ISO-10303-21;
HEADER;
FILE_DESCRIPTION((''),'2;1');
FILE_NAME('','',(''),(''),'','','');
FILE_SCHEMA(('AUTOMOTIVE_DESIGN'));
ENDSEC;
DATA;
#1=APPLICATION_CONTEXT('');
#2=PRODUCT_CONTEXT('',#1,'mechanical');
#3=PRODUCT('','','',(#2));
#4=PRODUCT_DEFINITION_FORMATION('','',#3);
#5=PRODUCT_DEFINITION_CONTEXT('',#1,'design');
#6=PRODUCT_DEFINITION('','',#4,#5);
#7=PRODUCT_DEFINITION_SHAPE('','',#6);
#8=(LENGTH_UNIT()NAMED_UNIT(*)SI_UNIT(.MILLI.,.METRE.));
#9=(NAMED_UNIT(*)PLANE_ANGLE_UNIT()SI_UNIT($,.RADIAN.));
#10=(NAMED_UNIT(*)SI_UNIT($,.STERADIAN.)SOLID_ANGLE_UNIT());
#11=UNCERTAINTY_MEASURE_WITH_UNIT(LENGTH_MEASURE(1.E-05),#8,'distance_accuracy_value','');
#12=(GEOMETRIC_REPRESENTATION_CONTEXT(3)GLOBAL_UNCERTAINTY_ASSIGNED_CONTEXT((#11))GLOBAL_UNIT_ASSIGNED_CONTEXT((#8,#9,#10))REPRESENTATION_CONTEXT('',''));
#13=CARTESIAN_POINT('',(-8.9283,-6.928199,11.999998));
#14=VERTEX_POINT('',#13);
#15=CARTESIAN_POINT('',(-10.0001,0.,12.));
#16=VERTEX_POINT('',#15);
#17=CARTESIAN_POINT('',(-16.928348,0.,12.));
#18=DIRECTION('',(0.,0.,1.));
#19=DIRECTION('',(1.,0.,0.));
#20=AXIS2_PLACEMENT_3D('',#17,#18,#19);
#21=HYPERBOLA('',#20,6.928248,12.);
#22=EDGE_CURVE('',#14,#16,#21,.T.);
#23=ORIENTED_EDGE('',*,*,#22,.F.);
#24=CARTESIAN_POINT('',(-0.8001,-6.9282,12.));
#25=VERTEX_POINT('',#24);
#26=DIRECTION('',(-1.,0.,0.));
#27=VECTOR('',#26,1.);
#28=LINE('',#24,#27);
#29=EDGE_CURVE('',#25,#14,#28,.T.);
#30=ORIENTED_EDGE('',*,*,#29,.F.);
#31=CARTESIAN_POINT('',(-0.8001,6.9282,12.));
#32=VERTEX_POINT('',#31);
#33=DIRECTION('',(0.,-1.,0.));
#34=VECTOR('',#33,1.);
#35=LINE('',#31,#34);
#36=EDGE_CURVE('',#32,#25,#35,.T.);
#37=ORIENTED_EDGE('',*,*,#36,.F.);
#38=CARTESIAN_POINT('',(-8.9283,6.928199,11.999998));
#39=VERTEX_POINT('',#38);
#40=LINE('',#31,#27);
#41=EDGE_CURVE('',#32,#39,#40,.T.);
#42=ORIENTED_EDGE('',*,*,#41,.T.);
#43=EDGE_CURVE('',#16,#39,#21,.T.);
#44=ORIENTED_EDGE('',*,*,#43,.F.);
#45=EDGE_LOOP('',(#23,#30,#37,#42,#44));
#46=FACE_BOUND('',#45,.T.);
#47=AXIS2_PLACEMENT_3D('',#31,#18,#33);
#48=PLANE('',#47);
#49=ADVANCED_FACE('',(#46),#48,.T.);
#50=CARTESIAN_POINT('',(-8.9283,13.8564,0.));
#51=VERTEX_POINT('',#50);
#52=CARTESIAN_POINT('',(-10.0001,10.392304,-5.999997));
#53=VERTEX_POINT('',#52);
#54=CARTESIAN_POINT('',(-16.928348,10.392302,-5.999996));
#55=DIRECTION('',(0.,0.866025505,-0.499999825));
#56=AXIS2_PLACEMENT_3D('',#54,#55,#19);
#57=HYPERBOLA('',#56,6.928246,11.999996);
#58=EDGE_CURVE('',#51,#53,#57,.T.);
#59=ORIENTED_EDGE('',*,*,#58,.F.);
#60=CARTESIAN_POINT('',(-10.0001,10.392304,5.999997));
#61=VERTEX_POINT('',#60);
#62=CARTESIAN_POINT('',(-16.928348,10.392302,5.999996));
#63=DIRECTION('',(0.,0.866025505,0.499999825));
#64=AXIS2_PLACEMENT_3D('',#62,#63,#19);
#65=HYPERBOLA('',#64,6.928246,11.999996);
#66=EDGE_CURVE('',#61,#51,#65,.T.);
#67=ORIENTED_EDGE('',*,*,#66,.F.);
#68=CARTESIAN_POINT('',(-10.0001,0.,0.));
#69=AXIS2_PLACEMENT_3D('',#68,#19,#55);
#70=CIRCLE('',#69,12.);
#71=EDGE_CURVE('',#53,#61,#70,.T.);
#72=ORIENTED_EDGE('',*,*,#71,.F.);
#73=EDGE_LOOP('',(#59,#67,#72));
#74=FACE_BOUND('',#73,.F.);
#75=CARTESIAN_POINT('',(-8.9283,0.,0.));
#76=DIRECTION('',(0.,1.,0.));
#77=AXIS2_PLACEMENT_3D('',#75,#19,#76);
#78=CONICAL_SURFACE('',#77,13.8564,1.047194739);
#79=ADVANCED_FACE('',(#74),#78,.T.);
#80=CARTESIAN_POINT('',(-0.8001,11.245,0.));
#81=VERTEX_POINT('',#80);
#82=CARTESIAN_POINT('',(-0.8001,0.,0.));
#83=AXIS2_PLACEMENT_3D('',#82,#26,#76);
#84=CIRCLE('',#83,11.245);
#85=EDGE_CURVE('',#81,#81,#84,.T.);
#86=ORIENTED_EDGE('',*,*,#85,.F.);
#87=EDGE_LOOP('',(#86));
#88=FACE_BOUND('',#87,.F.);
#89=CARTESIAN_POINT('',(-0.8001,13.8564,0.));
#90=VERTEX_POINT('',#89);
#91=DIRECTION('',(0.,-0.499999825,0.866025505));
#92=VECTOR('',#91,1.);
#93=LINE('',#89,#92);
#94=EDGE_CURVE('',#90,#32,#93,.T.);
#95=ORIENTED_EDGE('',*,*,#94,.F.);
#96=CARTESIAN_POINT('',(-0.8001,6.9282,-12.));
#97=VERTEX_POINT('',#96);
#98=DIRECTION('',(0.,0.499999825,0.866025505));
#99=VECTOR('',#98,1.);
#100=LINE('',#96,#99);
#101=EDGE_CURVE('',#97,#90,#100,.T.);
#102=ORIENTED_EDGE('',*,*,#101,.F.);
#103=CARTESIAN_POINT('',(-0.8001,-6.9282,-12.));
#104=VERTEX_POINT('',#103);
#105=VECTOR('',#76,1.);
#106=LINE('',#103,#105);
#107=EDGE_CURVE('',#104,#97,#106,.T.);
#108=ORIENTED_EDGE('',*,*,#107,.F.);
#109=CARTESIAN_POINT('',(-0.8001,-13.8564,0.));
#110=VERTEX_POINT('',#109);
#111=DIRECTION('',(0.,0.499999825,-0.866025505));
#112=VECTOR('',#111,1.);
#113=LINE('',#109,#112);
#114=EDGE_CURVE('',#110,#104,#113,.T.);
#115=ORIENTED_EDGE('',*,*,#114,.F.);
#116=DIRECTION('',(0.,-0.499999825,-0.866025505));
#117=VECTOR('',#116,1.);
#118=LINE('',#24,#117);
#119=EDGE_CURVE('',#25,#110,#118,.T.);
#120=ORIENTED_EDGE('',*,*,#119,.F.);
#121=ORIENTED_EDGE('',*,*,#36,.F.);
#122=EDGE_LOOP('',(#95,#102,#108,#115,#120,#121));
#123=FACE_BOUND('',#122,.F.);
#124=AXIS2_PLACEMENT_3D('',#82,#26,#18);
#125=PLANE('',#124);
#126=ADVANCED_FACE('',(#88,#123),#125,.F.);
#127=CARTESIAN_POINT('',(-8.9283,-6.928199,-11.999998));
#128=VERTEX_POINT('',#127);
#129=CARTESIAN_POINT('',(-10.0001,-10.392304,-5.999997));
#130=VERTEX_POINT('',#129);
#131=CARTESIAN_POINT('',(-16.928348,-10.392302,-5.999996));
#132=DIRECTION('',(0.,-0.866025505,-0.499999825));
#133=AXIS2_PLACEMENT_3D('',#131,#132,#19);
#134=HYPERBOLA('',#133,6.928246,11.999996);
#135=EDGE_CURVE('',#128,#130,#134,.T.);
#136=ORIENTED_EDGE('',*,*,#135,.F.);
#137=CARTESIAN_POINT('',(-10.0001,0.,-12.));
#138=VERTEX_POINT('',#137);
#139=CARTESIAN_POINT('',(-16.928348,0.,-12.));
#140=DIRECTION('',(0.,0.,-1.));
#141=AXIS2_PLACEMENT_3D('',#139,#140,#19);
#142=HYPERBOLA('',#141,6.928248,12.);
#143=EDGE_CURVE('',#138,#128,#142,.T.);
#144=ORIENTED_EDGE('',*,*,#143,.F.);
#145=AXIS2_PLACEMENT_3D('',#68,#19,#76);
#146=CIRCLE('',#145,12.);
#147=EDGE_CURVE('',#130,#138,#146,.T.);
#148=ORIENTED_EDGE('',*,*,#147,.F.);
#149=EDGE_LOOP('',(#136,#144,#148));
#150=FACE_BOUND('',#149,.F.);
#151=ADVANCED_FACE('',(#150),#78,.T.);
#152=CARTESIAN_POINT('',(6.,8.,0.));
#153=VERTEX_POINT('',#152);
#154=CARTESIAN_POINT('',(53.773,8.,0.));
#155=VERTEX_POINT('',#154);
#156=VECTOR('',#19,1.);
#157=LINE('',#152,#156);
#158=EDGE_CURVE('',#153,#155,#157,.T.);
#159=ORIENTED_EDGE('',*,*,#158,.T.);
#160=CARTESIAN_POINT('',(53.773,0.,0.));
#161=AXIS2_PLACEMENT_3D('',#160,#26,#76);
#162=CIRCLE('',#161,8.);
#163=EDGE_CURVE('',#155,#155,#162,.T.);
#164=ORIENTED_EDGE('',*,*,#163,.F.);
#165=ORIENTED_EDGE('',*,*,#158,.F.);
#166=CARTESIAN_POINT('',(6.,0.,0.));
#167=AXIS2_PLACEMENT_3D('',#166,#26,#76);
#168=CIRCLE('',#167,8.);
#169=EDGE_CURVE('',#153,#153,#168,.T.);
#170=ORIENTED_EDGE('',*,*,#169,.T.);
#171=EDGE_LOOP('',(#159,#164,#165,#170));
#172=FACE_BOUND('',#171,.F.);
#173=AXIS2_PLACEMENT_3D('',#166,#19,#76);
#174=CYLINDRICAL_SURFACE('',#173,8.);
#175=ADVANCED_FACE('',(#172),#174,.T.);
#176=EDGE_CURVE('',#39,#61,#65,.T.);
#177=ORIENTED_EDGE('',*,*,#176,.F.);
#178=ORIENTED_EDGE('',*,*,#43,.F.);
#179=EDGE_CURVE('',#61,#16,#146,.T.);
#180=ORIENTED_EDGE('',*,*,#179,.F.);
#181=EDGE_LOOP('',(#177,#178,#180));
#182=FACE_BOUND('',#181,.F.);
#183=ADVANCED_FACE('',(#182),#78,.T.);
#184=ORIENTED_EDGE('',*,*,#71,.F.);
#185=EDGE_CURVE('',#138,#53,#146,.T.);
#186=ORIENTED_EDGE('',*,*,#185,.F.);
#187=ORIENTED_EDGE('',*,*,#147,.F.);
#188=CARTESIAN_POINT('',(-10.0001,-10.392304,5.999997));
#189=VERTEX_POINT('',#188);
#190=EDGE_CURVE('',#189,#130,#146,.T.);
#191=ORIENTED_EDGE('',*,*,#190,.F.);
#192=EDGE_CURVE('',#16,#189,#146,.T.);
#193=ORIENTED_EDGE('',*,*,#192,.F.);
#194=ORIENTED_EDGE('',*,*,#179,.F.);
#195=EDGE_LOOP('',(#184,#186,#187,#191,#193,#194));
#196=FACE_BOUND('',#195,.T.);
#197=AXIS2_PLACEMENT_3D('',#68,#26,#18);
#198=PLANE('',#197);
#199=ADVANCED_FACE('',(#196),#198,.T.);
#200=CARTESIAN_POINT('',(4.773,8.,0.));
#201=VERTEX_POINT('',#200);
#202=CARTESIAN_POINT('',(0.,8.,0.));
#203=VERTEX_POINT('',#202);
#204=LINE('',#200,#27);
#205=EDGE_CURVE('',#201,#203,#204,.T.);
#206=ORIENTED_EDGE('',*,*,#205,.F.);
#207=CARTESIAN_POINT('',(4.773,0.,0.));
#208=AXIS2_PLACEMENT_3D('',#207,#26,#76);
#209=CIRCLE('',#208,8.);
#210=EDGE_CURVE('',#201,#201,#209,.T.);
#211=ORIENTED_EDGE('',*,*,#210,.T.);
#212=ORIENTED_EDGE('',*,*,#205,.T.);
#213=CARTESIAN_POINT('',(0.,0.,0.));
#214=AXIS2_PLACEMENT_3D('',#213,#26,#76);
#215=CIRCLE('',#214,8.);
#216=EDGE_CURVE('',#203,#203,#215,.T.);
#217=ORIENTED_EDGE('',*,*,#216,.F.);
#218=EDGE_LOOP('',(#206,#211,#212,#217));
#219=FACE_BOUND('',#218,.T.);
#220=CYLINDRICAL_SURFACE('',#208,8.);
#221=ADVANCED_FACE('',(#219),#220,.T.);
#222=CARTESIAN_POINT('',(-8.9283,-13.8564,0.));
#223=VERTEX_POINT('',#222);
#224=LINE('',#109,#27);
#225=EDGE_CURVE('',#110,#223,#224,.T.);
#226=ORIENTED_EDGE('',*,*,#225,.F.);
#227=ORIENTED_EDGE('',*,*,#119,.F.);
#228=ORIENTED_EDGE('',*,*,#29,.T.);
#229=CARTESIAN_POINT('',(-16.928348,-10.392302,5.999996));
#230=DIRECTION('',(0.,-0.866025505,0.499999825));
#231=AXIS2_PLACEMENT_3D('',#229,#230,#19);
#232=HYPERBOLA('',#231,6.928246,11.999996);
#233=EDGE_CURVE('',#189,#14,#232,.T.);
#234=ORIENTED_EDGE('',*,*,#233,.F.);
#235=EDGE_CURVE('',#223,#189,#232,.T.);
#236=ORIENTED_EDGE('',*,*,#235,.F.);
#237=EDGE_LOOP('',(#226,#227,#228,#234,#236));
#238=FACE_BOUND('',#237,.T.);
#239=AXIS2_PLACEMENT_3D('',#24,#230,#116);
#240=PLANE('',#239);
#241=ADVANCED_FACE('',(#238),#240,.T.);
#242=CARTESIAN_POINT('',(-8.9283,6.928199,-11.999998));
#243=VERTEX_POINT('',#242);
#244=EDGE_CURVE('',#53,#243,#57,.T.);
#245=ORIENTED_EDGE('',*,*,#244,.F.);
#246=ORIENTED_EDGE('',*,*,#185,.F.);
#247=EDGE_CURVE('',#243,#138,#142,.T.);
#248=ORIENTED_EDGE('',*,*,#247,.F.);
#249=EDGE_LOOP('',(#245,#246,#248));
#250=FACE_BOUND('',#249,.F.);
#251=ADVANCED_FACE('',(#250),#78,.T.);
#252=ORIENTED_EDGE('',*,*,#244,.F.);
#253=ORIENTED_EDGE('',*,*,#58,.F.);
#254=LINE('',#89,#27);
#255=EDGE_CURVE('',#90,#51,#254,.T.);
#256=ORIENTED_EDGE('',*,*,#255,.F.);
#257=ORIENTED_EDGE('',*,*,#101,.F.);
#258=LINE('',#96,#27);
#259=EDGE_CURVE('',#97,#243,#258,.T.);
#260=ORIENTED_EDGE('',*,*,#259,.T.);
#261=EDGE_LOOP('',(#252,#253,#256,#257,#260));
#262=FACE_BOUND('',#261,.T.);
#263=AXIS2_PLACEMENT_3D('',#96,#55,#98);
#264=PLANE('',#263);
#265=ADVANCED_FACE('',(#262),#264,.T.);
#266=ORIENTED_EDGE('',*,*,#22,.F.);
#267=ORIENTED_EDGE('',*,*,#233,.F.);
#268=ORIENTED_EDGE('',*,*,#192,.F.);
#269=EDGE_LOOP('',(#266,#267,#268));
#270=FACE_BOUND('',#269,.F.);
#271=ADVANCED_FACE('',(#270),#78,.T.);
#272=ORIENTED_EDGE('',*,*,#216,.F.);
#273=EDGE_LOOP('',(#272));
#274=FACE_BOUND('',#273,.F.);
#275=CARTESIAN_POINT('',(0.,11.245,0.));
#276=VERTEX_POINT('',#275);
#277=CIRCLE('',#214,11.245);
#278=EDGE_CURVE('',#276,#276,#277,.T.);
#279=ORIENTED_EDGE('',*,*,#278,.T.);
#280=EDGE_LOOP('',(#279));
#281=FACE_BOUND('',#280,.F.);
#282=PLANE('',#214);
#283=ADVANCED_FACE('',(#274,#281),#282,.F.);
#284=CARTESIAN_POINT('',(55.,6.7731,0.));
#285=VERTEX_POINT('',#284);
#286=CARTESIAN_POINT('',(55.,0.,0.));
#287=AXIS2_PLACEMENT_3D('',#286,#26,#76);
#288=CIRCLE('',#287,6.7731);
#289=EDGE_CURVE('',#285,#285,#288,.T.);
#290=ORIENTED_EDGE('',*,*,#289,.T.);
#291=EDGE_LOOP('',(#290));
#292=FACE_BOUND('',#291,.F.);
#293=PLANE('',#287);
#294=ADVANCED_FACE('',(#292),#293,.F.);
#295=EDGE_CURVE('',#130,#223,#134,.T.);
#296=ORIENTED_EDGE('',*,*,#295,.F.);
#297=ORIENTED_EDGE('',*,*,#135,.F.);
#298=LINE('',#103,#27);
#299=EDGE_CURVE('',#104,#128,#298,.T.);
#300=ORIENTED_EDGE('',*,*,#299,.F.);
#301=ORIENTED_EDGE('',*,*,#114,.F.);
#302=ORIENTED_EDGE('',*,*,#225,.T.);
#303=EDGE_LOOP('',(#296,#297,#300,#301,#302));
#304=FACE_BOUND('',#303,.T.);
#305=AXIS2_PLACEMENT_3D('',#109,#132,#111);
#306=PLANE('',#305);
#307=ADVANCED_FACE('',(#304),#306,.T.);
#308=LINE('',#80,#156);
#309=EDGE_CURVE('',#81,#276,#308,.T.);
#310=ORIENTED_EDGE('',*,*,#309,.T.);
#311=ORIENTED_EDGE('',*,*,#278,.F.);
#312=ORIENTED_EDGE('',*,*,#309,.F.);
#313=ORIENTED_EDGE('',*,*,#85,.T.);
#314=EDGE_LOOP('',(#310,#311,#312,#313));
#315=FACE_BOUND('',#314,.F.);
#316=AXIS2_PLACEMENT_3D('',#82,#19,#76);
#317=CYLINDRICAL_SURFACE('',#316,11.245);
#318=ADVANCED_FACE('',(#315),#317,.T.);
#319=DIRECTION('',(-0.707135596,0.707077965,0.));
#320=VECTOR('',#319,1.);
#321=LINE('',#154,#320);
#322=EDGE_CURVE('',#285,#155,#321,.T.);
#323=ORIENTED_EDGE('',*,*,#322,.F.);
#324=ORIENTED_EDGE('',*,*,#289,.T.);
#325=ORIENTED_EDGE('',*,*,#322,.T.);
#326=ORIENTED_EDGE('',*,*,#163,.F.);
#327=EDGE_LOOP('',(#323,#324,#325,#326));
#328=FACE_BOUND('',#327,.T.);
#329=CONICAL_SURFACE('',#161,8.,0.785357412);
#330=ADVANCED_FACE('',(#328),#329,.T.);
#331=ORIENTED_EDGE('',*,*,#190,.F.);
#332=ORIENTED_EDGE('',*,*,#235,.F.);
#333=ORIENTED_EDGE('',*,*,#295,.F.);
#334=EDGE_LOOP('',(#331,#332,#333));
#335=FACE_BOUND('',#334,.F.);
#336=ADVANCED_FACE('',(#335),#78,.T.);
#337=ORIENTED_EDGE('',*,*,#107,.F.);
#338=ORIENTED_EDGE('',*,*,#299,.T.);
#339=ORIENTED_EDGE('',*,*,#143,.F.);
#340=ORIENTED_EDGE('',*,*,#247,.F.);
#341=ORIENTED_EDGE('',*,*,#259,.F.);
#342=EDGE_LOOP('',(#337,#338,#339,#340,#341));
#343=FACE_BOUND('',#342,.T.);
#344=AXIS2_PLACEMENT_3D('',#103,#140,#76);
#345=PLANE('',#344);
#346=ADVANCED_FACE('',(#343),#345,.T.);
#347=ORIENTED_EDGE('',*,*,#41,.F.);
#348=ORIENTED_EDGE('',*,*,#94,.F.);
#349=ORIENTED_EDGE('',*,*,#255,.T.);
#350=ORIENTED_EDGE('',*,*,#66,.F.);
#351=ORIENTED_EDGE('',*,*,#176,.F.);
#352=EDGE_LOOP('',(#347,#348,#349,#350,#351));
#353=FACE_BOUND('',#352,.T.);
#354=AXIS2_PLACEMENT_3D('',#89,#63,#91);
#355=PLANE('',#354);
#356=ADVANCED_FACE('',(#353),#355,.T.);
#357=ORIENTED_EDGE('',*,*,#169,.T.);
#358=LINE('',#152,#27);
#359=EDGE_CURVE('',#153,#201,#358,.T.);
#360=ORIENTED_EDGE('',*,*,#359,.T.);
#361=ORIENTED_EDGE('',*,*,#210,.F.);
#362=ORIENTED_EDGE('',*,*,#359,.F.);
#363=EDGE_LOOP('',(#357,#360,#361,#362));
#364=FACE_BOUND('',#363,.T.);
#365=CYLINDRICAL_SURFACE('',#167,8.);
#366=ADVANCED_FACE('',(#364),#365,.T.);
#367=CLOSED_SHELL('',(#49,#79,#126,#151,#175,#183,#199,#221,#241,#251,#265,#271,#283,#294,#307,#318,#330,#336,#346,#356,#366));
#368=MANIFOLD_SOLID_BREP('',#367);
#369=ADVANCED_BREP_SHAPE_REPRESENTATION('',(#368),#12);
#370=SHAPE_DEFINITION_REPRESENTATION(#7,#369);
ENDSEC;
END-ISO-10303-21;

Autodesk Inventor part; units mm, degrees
ref_plane "YZ Plane" through (0, 0, 0) normal (1, 0, 0) x (0, 1, 0)
ref_plane "XZ Plane" through (0, 0, 0) normal (0, 1, 0) x (-1, 0, 0)
sketch "Sketch1" plane through (0, 0, 0) normal (0, 0, 1) x (1, 0, 0)
  line L0 (0, 11.245) -> (0, 8)
  line L1 (6, 8) -> (55, 8)
  line L2 (55, 8) -> (55, 0)
  line L3 (55, 0) -> (-0.8001, 0)
  line L4 (-11.9601, 0) -> (66.16, 0) projected
  line L5 (-0.8001, 0) -> (-0.8001, 11.245)
  line L6 (-0.8001, 11.245) -> (0, 11.245)
  line L7 (6, 8) -> (4.773, 8)
  line L8 (4.773, 8) -> (0, 8)
  line L9 (0, -2.249) -> (0, 13.494) projected
  dimension "d0" = 55
  dimension "d1" = 49
  dimension "d2" = 16
  dimension "d9" = 0.8001
  dimension "d10" = 22.49
  dimension "d13" = 1.227
  dimension "d14" = 16
revolve "Body" add sketch "Sketch1" angle 360 about axis through (55, 0, 0) along (-1, 0, 0)
sketch "Sketch2" plane through (-0.8001, 0, 0) normal (-1, 0, 0) x (0, 0, 1)
  line L0 (0, 13.8564) -> (12, 6.9282)
  line L1 (12, 6.9282) -> (12, -6.9282)
  line L2 (12, -6.9282) -> (0, -13.8564)
  line L3 (0, -13.8564) -> (-12, -6.9282)
  line L4 (-12, -6.9282) -> (-12, 6.9282)
  line L5 (-12, 6.9282) -> (0, 13.8564)
  point P0 (0, 0)
  point P1 (0, 0)
  dimension "d11" = 24
extrude "Head" add sketch "Sketch2" along normal blind 9.2
sketch "Sketch4" plane through (0, 0, 0) normal (0, 0, 1) x (1, 0, 0)
  line L0 (-10.0001, 12) -> (-10.0001, 13.8564)
  line L1 (-10.0001, 13.8564) -> (-8.9283, 13.8564)
  line L2 (-8.9283, 13.8564) -> (-10.0001, 12)
  line L3 (-11.8401, 0) -> (1.0399, 0) projected
  line L4 (-0.8001, 13.8564) -> (-10.0001, 13.8564) projected
  line L5 (-10.0001, 6.9282) -> (-10.0001, 13.8564) projected
  dimension "d5" = 30
  dimension "d19" = 24
revolve "Chamfer1" cut sketch "Sketch4" angle 360 about axis through (-10, 0, 0) along (1, 0, 0)
thread "Thread" size "M16x2" class "6g" standard "ISO Metric profile" length 49
chamfer "Chamfer2" distance 1.2269 distance2 1.227 1 edges at (55, -8, 0) measured on face at (55, -1.996, 1.7683)
ref_plane "Work Plane1" through (1.525, 0, 0) normal (0, 0, 1) x (1, 0, 0)
equation "\"d0\" = NLG"
equation "\"d1\" = GEL"
equation "\"d2\" = GD"
equation "\"d10\" = SD2"
equation "\"d14\" = BDM"
equation "\"d11\" = SW"
equation "\"d3\" = KOH - SD"
equation "\"d5\" = ANG1"
equation "\"d19\" = SW0"
equation "\"d15\" = GEL"
equation "\"d6\" = -0.5 * SPD + 0.5 * GD"
equation "\"NLG\" = 55"
equation "\"GD\" = NND"
equation "\"BDM\" = NND"
equation "\"KOH\" = 10"
equation "\"GEL\" = 49"
equation "\"SW\" = 24"
equation "\"SW0\" = SW"
equation "\"SPD\" = NND - 1.2269 * PTC"
equation "\"SD2\" = 22.49"
equation "\"SD\" = 0.8"
equation "\"ANG1\" = 30deg"
equation "\"GAL\" = 0.61345 * PTC"
equation "\"GUL\" = 0.61345 * PTC"
equation "\"RR\" = 0.6"
equation "\"GD1\" = THREADDIA - 1.2269 * PTC"
equation "\"THREADDIA\" = 16"
equation "\"SDH\" = SD2"
equation "\"SDHG\" = 6"
equation "\"TOA\" = 30deg"
equation "\"PTC\" = 2"
equation "\"NND\" = 16"
equation "\"E0\" = 27.72"
properties part number "ISO 4017 - M16 x 55" material "Stainless Steel, 440C"
